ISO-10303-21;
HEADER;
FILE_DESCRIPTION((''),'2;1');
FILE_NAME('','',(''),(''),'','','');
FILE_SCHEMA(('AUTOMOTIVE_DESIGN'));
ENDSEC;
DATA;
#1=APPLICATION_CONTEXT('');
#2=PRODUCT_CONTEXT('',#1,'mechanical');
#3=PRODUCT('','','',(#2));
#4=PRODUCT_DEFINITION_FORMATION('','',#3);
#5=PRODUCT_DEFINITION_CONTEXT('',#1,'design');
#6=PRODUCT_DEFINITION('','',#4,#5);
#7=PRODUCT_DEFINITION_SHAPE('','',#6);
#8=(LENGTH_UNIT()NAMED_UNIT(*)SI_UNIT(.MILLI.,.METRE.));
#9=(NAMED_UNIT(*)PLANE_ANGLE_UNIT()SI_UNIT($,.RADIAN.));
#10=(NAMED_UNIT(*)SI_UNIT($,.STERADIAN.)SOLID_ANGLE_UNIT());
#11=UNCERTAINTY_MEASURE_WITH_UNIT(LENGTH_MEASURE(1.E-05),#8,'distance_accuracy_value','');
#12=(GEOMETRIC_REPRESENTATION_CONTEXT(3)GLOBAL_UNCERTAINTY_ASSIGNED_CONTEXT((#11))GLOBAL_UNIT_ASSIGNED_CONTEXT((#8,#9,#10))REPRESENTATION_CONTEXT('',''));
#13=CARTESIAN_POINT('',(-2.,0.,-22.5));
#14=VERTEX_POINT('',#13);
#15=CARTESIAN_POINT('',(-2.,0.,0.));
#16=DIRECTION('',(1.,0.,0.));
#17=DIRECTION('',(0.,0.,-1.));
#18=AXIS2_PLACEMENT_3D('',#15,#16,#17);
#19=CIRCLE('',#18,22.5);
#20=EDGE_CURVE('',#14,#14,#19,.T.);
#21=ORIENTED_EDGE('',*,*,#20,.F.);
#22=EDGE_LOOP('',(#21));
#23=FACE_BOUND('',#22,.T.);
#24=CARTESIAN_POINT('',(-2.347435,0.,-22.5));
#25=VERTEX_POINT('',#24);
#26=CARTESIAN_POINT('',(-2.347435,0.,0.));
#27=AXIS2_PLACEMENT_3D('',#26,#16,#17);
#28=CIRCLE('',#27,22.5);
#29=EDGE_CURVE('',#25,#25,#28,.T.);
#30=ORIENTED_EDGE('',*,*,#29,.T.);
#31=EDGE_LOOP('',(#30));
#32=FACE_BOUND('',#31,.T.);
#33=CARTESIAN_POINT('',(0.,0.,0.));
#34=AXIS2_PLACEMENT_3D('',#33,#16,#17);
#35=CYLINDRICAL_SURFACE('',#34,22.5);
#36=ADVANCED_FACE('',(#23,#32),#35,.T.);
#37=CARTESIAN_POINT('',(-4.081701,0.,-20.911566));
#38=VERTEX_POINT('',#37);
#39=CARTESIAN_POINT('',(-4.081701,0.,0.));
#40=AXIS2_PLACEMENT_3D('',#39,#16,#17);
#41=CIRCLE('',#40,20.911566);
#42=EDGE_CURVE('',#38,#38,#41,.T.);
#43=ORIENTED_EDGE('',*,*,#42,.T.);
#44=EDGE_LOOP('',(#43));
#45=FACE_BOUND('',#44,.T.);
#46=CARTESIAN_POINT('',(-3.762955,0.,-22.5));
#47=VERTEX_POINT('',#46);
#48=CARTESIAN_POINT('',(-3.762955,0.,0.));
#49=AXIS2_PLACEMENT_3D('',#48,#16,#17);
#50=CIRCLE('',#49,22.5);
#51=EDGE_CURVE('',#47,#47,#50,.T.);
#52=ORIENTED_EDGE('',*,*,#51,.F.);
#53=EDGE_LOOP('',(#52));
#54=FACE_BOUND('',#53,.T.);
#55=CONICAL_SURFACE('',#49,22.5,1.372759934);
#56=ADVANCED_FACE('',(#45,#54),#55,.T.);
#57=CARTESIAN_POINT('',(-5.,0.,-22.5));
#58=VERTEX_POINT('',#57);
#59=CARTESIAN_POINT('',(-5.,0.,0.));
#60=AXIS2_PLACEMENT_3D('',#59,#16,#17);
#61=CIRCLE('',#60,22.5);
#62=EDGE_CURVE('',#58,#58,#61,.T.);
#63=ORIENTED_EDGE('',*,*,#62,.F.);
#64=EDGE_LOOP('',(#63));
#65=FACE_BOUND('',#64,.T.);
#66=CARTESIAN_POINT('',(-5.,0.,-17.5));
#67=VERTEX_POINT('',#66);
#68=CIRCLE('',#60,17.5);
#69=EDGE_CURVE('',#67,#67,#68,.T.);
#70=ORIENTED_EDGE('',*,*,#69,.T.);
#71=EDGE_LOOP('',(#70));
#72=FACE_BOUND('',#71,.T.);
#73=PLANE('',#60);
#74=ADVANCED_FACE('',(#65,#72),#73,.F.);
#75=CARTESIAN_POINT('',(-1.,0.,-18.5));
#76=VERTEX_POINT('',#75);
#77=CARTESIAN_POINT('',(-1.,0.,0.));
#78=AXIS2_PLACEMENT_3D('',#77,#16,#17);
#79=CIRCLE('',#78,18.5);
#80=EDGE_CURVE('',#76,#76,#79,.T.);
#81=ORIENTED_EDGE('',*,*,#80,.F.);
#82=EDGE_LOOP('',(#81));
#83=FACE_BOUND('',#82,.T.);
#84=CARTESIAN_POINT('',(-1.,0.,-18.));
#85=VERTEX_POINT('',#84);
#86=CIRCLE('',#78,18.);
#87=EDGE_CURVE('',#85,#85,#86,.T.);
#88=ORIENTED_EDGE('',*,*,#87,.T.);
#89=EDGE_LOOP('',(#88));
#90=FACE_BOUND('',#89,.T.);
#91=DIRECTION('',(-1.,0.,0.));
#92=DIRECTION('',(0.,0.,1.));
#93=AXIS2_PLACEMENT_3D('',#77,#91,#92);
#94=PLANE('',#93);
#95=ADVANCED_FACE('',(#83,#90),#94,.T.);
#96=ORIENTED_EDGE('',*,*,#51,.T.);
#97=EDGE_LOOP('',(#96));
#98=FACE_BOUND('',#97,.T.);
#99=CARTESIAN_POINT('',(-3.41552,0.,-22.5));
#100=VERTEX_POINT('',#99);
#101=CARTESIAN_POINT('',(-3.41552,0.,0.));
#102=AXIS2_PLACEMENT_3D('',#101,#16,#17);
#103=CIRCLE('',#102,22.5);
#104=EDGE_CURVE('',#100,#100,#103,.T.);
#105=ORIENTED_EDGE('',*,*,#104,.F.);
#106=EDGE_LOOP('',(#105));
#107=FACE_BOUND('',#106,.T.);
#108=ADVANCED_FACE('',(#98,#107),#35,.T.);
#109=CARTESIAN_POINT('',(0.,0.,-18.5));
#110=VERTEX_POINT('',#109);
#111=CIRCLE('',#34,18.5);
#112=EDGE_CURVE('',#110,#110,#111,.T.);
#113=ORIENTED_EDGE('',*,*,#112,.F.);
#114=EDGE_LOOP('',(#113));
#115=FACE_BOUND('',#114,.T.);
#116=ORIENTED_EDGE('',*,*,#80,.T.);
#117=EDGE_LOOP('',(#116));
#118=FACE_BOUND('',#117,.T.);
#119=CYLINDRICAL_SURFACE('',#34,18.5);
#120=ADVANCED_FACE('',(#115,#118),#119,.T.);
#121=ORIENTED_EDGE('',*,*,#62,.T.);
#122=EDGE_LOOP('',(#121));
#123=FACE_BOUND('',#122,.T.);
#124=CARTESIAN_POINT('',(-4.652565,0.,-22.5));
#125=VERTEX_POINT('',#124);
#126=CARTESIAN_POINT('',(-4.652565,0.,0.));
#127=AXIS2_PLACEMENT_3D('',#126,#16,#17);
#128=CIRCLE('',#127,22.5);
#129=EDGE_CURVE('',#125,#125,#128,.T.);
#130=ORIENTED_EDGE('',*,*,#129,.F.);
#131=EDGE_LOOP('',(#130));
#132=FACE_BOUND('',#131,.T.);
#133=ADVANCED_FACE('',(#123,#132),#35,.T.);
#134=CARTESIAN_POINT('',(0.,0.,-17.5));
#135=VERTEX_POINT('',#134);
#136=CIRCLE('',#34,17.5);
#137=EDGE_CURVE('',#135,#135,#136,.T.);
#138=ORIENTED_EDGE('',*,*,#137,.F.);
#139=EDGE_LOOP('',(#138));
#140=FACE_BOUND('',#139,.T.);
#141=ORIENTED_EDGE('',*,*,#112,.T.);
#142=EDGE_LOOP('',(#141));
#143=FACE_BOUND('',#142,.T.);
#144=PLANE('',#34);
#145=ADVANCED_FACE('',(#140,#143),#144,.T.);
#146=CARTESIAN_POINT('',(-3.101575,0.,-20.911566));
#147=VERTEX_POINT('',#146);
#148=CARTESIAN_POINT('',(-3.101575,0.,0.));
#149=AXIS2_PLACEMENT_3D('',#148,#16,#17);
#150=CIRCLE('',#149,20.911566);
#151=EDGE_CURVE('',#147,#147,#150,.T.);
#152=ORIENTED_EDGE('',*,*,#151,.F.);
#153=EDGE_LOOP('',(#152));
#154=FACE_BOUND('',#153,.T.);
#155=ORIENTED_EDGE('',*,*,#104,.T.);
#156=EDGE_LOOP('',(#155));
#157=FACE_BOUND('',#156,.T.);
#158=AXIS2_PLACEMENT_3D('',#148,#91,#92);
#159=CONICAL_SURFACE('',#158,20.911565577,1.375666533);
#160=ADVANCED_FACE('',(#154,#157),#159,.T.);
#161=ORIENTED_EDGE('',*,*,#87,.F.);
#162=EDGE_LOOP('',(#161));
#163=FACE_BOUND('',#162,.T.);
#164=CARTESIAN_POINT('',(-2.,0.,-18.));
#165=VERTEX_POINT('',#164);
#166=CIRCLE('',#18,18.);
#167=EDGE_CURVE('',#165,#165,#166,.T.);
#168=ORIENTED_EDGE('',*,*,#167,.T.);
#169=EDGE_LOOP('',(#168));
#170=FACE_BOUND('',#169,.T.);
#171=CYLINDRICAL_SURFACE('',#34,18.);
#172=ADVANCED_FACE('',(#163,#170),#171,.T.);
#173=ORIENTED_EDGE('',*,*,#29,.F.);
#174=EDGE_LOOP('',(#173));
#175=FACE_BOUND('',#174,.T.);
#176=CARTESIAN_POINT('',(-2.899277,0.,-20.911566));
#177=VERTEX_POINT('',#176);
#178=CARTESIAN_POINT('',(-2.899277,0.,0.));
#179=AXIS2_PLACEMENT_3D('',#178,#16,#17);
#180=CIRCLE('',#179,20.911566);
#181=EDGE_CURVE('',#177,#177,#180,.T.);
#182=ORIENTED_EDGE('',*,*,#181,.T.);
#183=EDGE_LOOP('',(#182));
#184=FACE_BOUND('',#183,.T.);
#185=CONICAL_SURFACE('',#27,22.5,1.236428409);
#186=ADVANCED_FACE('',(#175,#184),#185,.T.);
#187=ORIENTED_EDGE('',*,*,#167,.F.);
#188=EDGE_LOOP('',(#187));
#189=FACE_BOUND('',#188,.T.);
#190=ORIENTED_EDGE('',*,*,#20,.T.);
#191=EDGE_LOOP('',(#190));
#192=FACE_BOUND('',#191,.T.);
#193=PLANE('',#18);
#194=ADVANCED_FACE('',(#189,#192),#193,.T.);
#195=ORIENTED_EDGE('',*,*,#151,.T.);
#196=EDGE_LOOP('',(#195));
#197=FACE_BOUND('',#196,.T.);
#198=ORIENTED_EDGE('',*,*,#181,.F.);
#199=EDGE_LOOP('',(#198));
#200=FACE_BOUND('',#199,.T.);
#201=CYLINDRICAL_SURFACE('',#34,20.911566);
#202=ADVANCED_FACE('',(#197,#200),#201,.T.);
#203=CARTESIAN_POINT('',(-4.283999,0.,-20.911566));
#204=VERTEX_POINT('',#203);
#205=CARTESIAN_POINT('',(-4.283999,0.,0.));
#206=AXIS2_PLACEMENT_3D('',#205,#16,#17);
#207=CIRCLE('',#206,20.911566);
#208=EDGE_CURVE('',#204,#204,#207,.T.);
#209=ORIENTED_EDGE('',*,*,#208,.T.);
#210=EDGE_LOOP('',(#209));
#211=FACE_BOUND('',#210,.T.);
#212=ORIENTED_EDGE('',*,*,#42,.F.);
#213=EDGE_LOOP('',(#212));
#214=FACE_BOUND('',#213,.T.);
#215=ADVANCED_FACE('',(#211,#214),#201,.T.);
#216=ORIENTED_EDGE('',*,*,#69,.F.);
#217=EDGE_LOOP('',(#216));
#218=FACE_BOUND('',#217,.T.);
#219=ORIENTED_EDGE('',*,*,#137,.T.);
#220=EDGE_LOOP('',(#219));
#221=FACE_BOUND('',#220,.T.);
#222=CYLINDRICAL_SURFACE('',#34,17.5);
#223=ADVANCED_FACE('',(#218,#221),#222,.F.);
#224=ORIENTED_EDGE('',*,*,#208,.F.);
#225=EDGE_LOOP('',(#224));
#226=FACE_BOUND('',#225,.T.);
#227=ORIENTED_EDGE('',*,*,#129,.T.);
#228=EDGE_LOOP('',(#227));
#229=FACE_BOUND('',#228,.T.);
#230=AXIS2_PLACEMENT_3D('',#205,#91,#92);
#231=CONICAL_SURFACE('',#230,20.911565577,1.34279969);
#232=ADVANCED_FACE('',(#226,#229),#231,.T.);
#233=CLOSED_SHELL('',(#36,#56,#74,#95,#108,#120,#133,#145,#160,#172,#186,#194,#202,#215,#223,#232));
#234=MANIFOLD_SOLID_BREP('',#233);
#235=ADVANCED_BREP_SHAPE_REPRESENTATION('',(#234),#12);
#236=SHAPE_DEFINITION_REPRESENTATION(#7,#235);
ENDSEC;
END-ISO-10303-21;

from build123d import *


with BuildPart() as part:
    # Szkic1 → Obrót1 (revolve)
    with BuildSketch(Plane.XY, mode=Mode.PRIVATE) as obr_t1_sk:
        Polygon((-4.081701013, 20.911565577), (-4.283998784, 20.911565577), (-4.652565061, 22.5), (-5, 22.5), (-5, 17.5), (0, 17.5), (0, 18.5), (-1, 18.5), (-1, 18), (-2, 18), (-2, 22.5), (-2.347434939, 22.5), (-2.899277053, 20.911565577), (-3.101574823, 20.911565577), (-3.415520415, 22.5), (-3.762955354, 22.5), align=None)
    revolve(obr_t1_sk.sketch.rotate(Axis((0, 0, 0), (-1, 0, 0)), 90), axis=Axis((0, 0, 0), (-1, 0, 0)))


solid = part.part
